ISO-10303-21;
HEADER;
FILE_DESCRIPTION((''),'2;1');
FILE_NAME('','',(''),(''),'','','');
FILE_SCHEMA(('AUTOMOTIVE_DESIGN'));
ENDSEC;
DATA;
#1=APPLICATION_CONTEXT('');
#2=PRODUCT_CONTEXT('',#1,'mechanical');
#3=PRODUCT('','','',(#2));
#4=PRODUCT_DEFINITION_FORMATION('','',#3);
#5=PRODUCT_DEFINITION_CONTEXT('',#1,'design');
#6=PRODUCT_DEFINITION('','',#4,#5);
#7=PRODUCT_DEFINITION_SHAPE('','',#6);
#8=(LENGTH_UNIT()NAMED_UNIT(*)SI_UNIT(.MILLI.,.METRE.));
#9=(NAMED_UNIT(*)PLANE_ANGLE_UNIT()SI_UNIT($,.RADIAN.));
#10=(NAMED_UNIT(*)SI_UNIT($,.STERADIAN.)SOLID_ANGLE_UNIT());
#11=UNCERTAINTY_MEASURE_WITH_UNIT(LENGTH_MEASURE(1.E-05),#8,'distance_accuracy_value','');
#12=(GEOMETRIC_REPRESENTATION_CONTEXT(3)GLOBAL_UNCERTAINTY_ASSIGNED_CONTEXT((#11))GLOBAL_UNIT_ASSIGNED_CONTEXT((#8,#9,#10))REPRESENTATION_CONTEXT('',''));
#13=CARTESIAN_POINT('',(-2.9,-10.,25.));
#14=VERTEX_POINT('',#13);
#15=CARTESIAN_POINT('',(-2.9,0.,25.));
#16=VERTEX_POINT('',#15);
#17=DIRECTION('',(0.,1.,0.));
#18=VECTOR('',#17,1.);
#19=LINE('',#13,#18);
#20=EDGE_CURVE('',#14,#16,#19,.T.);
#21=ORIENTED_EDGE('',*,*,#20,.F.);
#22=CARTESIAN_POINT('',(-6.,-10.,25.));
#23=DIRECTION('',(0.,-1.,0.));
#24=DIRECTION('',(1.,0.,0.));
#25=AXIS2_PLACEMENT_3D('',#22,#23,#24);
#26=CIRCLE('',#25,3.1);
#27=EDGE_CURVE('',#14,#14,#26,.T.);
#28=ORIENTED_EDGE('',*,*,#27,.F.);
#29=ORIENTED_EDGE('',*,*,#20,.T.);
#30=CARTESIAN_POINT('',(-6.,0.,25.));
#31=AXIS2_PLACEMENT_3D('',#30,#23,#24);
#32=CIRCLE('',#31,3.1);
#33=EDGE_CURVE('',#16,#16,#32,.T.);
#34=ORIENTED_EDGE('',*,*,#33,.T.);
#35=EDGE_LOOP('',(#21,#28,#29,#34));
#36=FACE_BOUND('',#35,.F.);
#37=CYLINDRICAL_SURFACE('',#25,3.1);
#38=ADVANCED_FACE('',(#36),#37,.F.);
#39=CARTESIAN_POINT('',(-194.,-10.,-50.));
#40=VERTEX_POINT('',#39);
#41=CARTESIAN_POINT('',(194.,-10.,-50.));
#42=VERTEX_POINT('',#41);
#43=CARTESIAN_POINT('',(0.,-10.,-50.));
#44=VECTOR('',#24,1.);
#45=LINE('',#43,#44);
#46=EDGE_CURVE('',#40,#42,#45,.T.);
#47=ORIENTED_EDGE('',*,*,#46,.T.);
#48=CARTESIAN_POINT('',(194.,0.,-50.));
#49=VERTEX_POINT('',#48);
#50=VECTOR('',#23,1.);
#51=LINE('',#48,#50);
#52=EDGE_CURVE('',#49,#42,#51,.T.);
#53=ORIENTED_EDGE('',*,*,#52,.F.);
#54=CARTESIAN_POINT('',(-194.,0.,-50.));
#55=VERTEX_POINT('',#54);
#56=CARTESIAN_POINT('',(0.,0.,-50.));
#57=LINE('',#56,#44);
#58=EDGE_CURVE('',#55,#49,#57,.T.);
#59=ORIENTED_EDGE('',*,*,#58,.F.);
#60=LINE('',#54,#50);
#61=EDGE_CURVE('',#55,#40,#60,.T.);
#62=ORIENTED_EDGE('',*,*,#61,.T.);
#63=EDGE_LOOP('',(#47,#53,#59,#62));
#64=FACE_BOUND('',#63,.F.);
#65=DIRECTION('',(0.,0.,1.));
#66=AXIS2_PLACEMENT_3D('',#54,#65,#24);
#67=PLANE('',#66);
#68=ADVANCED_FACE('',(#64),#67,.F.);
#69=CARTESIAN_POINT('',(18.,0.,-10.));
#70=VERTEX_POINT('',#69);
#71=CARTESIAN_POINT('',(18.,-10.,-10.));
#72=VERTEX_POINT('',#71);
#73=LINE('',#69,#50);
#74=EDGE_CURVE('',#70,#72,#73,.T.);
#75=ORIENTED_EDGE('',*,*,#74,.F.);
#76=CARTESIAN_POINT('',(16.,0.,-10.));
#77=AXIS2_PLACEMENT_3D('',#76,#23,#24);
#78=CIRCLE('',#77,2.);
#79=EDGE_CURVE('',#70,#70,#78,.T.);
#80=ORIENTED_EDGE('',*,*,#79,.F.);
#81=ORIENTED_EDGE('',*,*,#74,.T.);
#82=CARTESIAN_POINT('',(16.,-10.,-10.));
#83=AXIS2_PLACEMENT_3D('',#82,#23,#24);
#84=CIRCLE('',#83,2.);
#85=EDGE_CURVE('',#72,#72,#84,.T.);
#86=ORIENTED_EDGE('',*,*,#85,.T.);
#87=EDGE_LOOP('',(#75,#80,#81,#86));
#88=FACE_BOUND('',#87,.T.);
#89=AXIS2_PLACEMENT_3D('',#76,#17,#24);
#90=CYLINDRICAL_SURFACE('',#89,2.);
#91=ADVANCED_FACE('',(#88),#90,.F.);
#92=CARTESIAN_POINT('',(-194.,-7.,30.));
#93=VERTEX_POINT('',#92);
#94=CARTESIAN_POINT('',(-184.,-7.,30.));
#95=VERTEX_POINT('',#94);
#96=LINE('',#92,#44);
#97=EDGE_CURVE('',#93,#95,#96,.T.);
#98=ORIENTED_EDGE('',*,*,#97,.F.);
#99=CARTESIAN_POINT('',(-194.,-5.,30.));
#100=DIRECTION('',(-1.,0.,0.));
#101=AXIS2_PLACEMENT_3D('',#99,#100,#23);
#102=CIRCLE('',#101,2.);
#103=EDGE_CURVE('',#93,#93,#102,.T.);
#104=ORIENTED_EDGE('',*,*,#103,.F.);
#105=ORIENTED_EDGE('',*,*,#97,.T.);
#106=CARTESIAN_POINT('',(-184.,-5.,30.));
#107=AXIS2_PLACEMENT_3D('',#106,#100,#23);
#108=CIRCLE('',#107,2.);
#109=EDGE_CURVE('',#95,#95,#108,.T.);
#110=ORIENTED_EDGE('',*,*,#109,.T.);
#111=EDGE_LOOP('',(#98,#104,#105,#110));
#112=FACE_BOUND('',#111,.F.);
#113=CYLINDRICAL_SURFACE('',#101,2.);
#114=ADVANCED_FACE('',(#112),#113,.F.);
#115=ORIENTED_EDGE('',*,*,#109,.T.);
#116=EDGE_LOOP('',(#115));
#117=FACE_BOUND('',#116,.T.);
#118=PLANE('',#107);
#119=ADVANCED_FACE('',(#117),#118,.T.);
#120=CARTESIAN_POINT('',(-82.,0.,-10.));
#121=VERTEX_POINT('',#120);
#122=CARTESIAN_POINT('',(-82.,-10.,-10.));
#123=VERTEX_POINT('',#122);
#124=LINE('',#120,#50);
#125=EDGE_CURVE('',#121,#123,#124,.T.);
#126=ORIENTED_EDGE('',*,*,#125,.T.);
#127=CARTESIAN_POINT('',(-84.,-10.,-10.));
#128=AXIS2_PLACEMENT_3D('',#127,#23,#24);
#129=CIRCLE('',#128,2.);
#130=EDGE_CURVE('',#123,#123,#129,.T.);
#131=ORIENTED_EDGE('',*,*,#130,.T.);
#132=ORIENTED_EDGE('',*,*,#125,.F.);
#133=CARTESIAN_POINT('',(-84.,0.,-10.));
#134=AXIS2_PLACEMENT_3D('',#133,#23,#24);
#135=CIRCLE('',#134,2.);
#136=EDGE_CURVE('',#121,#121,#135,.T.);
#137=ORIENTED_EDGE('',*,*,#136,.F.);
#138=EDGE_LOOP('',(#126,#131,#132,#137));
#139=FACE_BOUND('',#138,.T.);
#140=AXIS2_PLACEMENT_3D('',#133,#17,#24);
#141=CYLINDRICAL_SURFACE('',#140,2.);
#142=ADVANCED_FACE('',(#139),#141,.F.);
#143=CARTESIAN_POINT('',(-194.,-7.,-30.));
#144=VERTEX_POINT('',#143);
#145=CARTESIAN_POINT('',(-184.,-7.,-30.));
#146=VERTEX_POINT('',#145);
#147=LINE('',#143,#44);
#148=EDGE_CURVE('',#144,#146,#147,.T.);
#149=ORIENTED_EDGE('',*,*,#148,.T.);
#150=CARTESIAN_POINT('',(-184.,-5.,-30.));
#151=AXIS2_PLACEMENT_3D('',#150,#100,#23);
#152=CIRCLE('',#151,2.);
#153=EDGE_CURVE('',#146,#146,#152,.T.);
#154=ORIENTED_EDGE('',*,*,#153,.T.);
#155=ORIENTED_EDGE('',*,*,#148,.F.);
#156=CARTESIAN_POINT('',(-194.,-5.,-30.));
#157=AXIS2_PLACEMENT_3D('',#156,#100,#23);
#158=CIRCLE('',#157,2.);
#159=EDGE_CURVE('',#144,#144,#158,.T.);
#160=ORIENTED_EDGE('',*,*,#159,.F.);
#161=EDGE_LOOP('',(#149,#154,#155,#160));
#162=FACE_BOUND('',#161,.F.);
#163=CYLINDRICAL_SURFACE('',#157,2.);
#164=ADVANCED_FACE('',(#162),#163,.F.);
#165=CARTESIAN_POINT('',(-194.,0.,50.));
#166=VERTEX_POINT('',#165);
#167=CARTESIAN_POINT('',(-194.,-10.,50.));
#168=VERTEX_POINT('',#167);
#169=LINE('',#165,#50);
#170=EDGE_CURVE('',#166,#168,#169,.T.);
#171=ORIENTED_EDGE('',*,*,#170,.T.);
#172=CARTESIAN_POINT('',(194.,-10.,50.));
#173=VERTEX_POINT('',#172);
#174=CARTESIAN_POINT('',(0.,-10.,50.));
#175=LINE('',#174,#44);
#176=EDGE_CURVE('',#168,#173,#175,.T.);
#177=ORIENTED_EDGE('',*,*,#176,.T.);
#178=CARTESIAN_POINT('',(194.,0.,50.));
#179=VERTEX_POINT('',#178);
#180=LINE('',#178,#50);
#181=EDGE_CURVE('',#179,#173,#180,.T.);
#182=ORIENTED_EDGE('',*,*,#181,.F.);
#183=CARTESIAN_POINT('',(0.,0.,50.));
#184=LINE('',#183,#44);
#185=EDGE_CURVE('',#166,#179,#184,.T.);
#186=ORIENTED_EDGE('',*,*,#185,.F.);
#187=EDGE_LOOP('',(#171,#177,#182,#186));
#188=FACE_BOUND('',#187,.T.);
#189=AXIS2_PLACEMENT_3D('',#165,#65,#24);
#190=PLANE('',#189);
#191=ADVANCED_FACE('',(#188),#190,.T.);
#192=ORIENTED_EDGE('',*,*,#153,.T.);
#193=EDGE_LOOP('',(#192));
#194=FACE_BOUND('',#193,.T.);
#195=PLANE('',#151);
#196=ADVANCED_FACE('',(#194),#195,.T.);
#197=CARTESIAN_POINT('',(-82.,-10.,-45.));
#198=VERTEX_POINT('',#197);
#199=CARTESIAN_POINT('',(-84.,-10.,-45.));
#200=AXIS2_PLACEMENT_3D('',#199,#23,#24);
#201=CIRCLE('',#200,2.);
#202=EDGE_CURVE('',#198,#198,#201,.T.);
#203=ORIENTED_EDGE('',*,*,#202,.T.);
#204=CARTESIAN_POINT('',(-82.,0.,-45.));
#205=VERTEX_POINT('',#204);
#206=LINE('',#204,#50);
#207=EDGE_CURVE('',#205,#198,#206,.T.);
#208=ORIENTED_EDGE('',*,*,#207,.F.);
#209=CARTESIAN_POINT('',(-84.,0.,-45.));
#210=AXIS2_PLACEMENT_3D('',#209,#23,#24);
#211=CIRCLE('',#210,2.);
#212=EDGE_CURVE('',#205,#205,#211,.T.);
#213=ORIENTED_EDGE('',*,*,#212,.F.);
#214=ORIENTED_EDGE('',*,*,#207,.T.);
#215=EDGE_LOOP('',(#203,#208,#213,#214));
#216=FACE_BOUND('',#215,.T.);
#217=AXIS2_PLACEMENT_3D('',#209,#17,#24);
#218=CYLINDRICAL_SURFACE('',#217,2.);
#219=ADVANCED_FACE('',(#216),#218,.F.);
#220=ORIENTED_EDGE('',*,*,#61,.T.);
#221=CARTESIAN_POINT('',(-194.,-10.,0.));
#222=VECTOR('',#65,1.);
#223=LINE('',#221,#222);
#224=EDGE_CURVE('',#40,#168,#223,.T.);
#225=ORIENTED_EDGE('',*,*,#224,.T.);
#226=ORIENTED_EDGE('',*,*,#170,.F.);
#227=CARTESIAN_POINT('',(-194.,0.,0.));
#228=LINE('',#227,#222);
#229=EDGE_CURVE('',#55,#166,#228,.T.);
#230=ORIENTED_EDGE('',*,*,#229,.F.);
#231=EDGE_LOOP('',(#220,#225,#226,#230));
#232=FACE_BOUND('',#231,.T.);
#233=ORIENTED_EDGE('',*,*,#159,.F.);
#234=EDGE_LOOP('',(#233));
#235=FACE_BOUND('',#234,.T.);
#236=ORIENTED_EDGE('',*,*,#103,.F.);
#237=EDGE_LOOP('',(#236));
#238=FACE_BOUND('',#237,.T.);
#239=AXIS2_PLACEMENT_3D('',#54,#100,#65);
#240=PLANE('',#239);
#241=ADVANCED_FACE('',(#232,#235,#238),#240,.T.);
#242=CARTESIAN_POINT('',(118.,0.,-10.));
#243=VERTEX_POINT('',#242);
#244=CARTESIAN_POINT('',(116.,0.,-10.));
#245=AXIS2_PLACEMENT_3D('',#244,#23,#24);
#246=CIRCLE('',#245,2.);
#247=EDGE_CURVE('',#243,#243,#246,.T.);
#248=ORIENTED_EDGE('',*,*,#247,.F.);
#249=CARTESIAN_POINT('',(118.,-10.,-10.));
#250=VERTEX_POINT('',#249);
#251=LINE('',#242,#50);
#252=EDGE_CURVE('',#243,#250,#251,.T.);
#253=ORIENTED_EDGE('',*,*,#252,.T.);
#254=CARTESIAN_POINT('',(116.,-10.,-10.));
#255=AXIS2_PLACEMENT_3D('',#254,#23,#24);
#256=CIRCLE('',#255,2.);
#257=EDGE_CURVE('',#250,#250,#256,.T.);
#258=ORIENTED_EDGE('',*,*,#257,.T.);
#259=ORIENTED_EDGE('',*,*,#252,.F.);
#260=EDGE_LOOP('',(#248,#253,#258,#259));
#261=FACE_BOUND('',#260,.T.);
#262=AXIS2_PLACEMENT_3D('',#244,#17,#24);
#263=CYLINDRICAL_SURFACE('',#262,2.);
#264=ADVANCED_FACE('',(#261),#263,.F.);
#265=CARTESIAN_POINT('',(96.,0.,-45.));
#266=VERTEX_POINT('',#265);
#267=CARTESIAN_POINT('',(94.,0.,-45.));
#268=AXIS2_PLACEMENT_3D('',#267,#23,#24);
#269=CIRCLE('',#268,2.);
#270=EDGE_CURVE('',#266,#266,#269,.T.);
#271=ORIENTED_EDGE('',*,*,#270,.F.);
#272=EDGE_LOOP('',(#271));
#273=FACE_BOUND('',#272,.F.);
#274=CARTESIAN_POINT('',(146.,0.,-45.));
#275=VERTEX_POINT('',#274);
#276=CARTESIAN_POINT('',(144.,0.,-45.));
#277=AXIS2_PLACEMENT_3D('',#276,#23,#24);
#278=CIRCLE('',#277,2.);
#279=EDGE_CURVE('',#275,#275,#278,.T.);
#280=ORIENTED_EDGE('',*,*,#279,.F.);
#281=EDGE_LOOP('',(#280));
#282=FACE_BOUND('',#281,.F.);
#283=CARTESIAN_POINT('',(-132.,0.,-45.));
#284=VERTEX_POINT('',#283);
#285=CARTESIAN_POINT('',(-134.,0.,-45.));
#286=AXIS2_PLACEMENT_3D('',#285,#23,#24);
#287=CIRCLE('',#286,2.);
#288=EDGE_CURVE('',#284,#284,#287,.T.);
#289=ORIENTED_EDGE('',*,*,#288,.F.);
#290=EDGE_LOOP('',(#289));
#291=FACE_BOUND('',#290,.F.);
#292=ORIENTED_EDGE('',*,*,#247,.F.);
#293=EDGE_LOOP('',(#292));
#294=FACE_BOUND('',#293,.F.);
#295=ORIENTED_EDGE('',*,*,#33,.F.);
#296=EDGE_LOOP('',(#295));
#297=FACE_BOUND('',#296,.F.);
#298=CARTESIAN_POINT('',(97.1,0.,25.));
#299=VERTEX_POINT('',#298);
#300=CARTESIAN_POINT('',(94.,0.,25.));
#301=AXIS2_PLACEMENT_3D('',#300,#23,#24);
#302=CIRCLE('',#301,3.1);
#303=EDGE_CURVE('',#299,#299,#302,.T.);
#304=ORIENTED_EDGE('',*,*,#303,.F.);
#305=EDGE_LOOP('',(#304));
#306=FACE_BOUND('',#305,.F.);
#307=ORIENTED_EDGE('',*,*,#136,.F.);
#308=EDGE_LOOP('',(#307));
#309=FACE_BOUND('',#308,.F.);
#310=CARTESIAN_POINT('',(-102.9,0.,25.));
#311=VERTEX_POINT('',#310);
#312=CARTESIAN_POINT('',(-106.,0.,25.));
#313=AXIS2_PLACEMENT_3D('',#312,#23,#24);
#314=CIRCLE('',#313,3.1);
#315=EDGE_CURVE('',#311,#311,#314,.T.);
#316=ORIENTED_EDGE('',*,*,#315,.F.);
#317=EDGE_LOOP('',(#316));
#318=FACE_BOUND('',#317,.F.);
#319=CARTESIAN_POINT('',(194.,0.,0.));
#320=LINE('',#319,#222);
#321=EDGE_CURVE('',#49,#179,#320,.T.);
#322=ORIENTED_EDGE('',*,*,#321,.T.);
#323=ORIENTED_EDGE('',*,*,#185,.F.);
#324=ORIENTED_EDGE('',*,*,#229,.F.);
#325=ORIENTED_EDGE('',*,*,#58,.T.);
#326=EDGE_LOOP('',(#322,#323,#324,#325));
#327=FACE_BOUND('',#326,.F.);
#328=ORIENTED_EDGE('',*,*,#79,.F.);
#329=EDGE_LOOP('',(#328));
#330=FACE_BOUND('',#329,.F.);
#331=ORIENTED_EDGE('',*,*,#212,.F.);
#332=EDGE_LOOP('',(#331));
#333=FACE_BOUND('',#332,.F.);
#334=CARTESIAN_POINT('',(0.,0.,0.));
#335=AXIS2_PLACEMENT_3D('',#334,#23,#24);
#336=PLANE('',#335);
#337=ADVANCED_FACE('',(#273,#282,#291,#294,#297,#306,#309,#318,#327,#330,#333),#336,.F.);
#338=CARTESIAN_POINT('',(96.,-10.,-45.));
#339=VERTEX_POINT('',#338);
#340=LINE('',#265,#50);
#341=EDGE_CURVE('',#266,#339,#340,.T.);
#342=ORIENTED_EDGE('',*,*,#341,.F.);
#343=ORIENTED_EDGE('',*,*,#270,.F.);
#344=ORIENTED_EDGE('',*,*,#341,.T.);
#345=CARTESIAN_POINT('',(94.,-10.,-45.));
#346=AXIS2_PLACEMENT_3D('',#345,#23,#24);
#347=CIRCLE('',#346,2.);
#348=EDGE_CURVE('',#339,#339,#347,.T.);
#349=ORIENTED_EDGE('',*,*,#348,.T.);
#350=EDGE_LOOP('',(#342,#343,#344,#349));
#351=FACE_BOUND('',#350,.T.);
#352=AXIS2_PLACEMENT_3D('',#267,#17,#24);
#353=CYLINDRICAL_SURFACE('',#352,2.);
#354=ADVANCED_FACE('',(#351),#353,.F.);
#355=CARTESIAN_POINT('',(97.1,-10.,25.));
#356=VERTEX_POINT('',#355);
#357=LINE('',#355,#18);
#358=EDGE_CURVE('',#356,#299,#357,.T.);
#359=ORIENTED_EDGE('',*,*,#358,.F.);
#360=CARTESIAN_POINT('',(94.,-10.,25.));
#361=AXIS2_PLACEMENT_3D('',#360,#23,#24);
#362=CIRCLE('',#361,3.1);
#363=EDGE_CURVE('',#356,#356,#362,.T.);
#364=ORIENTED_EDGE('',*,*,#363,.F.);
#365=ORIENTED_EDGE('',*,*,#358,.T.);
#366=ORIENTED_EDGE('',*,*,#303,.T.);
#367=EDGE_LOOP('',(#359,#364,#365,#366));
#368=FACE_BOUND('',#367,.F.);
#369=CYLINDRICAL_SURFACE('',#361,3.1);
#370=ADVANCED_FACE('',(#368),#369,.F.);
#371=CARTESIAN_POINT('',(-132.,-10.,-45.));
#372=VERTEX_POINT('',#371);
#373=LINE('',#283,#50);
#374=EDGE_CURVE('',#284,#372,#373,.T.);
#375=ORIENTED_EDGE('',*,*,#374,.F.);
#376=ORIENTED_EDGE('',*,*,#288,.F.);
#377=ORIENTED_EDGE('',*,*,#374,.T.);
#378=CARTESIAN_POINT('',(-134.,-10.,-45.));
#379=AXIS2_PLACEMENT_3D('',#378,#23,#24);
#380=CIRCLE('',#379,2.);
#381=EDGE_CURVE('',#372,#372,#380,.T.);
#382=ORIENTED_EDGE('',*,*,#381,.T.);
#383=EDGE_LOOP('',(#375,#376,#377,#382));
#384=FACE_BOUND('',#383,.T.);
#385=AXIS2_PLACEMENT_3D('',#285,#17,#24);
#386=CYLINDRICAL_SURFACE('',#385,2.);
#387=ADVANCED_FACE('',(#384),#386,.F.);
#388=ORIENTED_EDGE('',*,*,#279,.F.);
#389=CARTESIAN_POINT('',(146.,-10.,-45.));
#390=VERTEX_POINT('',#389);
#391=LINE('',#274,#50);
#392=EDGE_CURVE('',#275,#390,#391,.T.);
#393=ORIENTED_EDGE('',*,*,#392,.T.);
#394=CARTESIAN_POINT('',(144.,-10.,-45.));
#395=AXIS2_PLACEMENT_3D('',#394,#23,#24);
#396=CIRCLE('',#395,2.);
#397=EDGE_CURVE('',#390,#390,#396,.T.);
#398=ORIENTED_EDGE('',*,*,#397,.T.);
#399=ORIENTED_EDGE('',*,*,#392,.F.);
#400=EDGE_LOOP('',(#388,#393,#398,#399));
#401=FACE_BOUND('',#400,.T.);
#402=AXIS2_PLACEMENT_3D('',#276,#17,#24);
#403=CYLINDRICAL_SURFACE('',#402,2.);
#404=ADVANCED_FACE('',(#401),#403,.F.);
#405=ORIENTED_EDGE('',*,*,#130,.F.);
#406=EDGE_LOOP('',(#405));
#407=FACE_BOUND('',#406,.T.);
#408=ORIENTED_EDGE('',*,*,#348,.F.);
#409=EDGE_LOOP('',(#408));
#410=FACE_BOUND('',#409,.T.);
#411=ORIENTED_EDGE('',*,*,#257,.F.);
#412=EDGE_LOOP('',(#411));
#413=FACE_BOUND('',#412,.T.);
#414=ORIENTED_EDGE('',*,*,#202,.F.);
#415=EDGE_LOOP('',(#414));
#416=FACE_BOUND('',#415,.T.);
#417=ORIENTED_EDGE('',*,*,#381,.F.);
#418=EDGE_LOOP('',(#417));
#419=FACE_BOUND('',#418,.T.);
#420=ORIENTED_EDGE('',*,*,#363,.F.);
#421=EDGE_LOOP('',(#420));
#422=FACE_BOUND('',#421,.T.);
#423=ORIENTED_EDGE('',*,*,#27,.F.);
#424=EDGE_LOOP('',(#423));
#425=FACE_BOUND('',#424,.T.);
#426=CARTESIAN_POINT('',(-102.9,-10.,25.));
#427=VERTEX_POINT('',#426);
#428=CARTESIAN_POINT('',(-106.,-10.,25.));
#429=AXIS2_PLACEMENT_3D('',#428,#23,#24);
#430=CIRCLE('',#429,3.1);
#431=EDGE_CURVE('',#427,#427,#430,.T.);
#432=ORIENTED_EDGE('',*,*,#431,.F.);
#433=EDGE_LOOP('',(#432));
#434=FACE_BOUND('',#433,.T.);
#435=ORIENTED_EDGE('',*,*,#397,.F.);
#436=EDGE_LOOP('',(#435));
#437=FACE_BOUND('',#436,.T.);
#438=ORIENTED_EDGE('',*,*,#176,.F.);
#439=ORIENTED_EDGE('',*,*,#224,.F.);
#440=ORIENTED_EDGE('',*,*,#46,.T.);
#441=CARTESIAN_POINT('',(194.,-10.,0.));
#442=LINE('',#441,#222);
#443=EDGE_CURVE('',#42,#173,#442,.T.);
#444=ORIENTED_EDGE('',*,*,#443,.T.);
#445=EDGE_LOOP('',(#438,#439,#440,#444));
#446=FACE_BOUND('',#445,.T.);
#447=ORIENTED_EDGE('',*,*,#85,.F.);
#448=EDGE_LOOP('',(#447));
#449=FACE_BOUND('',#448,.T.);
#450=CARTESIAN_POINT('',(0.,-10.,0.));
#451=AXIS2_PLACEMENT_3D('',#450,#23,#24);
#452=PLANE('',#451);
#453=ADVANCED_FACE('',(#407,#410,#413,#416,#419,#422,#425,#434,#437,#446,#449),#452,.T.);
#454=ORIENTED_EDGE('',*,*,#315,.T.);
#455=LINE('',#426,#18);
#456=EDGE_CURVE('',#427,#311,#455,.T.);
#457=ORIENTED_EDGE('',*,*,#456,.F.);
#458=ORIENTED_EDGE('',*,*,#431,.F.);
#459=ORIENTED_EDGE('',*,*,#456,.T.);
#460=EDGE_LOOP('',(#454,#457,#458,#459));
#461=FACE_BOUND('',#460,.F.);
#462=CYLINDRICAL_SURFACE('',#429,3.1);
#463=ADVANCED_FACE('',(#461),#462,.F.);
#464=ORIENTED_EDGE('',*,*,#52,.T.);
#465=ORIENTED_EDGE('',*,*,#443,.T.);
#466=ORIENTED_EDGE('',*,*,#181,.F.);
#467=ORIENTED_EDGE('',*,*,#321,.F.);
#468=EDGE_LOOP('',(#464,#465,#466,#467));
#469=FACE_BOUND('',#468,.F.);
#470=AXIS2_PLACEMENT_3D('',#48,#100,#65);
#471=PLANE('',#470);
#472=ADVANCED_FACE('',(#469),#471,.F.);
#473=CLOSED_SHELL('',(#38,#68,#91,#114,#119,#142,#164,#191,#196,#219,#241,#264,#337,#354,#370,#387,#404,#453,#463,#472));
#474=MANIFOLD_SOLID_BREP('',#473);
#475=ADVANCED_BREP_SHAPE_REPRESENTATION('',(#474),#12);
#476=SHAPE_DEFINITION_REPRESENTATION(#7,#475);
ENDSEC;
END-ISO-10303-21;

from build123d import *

# Parameters (mm, degrees)
F0_W     = 388
F0_H     = 100
F0_R     = 2
F1_DEPTH = 10
F2_R     = 3.1
F3_DEPTH = 10
F4_R     = 2
F5_DEPTH = 10


with BuildPart() as f1:
    # F0 (on Front) → F1 (new body)
    with BuildSketch(Plane.XZ):
        Rectangle(F0_W, F0_H)
        with Locations((-134, -45)):
            Circle(F0_R, mode=Mode.SUBTRACT)
        with Locations((-84, -45)):
            Circle(F0_R, mode=Mode.SUBTRACT)
        with Locations((-84, -10)):
            Circle(F0_R, mode=Mode.SUBTRACT)
        with Locations((94, -45)):
            Circle(F0_R, mode=Mode.SUBTRACT)
        with Locations((144, -45)):
            Circle(F0_R, mode=Mode.SUBTRACT)
        with Locations((16, -10)):
            Circle(F0_R, mode=Mode.SUBTRACT)
        with Locations((116, -10)):
            Circle(F0_R, mode=Mode.SUBTRACT)
    extrude(amount=F1_DEPTH)

    # F2 (on face) → F3 (cut)
    with BuildSketch(Plane.XZ.offset(10)):
        with Locations((-6, 25)):
            Circle(F2_R)
        with Locations((94, 25)):
            Circle(F2_R)
        with Locations((-106, 25)):
            Circle(F2_R)
    extrude(amount=-F3_DEPTH, mode=Mode.SUBTRACT)

    # F4 (on face) → F5 (cut)
    with BuildSketch(Plane(origin=(-194, 0, 0), x_dir=(0, -1, 0), z_dir=(-1, 0, 0))):
        with Locations((5, -30)):
            Circle(F4_R)
        with Locations((5, 30)):
            Circle(F4_R)
    extrude(amount=-F5_DEPTH, mode=Mode.SUBTRACT)


solid = f1.part
